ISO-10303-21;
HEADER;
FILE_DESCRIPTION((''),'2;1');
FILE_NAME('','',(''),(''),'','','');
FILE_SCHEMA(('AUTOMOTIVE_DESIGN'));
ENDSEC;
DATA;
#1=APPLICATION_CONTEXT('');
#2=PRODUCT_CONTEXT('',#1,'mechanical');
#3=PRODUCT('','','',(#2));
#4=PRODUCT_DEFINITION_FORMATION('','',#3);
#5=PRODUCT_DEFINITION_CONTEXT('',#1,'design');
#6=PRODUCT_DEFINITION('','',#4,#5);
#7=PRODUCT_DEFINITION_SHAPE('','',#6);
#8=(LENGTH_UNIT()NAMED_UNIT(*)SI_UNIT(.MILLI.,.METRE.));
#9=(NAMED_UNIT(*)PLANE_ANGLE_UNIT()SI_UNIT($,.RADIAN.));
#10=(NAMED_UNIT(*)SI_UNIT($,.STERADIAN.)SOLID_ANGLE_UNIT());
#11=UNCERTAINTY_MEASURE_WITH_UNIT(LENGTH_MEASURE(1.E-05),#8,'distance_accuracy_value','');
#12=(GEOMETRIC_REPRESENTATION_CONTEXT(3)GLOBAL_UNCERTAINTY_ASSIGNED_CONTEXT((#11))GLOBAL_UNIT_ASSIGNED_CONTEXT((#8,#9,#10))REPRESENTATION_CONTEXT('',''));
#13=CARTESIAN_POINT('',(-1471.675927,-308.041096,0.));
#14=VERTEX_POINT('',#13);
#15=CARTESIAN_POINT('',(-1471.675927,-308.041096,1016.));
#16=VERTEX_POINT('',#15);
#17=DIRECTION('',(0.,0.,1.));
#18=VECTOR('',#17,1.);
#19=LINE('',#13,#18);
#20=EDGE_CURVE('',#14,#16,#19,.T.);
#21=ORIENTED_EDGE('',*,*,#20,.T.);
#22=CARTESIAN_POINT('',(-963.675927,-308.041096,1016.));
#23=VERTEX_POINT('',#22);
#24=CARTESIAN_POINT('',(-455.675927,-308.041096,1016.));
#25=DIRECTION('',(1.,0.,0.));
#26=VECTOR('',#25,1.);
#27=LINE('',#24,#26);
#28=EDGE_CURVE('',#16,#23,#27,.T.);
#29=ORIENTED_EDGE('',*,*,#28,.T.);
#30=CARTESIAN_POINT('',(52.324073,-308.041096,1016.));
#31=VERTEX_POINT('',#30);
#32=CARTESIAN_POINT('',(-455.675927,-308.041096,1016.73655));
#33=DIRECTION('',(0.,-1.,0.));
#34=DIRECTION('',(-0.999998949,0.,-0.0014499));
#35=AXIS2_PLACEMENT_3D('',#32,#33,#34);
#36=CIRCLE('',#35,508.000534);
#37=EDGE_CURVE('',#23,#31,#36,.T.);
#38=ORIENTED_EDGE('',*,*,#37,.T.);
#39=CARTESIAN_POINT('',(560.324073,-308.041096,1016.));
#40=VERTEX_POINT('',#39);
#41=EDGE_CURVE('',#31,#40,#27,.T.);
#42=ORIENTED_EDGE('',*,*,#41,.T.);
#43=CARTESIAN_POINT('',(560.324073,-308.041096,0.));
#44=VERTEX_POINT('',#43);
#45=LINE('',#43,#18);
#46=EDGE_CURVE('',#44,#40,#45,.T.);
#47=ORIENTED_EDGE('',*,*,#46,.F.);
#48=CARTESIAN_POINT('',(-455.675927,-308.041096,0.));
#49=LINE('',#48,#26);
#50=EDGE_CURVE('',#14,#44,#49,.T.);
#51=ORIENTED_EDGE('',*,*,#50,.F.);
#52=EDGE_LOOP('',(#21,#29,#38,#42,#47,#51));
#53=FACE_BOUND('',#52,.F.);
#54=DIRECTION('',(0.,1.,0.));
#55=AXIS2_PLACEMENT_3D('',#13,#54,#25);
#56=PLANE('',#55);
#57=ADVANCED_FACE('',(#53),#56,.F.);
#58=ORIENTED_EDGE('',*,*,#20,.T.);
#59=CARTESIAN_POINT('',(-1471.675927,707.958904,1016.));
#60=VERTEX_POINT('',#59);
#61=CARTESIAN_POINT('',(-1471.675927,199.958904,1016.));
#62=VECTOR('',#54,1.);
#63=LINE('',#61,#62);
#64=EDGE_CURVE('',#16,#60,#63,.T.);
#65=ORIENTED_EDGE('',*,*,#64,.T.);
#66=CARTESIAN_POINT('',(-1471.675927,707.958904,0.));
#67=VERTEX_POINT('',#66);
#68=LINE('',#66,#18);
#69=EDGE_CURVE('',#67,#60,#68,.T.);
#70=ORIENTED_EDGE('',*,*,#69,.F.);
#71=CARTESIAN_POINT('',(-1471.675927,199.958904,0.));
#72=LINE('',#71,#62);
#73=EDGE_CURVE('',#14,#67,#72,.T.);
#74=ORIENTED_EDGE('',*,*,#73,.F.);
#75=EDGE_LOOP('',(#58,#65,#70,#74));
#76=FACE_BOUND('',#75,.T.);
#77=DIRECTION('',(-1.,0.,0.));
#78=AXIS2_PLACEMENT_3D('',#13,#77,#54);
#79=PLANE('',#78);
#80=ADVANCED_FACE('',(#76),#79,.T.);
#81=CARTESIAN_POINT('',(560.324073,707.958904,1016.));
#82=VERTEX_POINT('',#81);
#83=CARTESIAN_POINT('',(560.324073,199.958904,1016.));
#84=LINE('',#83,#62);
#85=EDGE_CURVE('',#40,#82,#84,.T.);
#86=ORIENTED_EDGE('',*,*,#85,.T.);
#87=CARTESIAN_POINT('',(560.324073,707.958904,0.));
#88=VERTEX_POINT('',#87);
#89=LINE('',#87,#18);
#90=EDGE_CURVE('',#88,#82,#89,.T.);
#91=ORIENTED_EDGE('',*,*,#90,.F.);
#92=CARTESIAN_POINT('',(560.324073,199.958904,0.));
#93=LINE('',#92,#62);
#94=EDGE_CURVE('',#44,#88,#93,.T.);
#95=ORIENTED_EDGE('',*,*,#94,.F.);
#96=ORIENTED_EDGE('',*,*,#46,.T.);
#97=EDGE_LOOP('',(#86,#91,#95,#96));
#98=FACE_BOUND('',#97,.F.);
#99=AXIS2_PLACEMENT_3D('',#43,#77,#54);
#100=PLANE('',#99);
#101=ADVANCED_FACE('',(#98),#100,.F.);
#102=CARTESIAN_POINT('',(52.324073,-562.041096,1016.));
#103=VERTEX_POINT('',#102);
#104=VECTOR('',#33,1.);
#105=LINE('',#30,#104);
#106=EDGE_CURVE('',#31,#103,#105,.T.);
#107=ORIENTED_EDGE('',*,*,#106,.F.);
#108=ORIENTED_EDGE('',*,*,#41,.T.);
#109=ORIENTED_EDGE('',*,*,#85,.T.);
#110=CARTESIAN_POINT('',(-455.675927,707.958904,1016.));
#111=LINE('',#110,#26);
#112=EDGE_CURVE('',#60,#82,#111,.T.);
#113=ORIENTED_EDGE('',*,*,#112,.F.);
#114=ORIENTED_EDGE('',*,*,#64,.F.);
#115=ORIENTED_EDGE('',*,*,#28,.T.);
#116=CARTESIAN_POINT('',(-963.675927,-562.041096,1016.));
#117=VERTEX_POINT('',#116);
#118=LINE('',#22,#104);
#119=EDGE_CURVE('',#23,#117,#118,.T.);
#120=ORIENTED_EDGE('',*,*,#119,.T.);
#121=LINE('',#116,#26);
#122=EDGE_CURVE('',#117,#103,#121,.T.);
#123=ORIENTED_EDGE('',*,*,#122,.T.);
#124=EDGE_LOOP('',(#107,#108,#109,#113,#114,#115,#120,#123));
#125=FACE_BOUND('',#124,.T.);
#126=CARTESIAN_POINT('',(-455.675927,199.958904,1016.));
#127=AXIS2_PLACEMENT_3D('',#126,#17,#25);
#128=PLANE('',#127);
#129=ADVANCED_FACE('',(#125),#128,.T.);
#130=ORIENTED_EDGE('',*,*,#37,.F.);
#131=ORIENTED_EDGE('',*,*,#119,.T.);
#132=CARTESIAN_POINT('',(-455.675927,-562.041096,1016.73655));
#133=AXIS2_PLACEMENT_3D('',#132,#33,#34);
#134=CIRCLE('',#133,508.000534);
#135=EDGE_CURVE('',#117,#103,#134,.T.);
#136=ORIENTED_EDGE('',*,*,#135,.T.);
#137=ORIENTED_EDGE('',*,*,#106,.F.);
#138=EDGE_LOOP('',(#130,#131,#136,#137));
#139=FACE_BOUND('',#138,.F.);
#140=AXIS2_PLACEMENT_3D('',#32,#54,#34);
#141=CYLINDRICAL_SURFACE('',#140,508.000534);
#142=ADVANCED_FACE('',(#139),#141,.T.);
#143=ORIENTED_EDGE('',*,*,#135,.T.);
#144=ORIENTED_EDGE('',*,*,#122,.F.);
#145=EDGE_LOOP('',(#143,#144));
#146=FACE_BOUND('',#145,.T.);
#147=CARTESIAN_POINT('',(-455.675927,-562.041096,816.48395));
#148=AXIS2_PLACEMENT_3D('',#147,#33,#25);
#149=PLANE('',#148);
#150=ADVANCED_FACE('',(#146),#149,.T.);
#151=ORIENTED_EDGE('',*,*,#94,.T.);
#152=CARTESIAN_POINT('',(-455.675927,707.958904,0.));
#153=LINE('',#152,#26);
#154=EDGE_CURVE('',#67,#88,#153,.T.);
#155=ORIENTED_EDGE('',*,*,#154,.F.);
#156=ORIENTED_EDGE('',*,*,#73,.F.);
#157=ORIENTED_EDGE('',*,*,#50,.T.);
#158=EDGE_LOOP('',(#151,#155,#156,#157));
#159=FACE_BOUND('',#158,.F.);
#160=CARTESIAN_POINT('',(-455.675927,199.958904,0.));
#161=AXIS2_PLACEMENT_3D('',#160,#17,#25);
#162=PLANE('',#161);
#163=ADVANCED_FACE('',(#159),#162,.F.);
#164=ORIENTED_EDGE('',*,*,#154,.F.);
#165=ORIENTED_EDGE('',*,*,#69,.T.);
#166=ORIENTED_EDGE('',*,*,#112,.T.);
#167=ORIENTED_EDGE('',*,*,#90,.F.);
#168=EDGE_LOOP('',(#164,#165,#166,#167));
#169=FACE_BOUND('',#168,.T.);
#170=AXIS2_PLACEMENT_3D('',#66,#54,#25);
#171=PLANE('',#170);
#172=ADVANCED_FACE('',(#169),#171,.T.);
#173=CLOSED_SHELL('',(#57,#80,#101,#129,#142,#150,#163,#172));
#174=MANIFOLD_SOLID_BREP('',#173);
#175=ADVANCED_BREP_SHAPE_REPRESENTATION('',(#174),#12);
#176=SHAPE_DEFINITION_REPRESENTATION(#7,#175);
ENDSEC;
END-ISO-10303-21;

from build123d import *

# Parameters (mm, degrees)
F0_W     = 2032
F0_H     = 1016
F1_DEPTH = 1016
F3_DEPTH = 254
F5_DEPTH = 1016


with BuildPart() as f1:
    # F0 (on Top) → F1 (new body)
    with BuildSketch(Plane.XY):
        with Locations((-455.675927, 199.958904)):
            Rectangle(F0_W, F0_H)
    extrude(amount=F1_DEPTH)

    # F2 (on face) → F3 (join)
    with BuildSketch(Plane.XZ.offset(308.041096)):
        with BuildLine():
            Line((-709.675927, 1016), (-963.675927, 1016))
            ThreePointArc((-963.675927, 1016), (-455.675927, 508.736016), (52.324073, 1016))
            Line((52.324073, 1016), (-201.675927, 1016))
            ThreePointArc((-201.675927, 1016), (-455.675927, 763.618704), (-709.675927, 1016))
        make_face()
        with BuildLine():
            Line((-201.675927, 1016), (-709.675927, 1016))
            ThreePointArc((-709.675927, 1016), (-455.675927, 763.618704), (-201.675927, 1016))
        make_face()
    extrude(amount=F3_DEPTH)

    # F4 (on face) → F5 (join)
    with BuildSketch(Plane.XZ.offset(562.041096)):
        with BuildLine():
            Line((-201.675927, 1016), (-709.675927, 1016))
            ThreePointArc((-709.675927, 1016), (-455.675927, 763.326984), (-201.675927, 1016))
        make_face()
    extrude(amount=-F5_DEPTH)


solid = f1.part
